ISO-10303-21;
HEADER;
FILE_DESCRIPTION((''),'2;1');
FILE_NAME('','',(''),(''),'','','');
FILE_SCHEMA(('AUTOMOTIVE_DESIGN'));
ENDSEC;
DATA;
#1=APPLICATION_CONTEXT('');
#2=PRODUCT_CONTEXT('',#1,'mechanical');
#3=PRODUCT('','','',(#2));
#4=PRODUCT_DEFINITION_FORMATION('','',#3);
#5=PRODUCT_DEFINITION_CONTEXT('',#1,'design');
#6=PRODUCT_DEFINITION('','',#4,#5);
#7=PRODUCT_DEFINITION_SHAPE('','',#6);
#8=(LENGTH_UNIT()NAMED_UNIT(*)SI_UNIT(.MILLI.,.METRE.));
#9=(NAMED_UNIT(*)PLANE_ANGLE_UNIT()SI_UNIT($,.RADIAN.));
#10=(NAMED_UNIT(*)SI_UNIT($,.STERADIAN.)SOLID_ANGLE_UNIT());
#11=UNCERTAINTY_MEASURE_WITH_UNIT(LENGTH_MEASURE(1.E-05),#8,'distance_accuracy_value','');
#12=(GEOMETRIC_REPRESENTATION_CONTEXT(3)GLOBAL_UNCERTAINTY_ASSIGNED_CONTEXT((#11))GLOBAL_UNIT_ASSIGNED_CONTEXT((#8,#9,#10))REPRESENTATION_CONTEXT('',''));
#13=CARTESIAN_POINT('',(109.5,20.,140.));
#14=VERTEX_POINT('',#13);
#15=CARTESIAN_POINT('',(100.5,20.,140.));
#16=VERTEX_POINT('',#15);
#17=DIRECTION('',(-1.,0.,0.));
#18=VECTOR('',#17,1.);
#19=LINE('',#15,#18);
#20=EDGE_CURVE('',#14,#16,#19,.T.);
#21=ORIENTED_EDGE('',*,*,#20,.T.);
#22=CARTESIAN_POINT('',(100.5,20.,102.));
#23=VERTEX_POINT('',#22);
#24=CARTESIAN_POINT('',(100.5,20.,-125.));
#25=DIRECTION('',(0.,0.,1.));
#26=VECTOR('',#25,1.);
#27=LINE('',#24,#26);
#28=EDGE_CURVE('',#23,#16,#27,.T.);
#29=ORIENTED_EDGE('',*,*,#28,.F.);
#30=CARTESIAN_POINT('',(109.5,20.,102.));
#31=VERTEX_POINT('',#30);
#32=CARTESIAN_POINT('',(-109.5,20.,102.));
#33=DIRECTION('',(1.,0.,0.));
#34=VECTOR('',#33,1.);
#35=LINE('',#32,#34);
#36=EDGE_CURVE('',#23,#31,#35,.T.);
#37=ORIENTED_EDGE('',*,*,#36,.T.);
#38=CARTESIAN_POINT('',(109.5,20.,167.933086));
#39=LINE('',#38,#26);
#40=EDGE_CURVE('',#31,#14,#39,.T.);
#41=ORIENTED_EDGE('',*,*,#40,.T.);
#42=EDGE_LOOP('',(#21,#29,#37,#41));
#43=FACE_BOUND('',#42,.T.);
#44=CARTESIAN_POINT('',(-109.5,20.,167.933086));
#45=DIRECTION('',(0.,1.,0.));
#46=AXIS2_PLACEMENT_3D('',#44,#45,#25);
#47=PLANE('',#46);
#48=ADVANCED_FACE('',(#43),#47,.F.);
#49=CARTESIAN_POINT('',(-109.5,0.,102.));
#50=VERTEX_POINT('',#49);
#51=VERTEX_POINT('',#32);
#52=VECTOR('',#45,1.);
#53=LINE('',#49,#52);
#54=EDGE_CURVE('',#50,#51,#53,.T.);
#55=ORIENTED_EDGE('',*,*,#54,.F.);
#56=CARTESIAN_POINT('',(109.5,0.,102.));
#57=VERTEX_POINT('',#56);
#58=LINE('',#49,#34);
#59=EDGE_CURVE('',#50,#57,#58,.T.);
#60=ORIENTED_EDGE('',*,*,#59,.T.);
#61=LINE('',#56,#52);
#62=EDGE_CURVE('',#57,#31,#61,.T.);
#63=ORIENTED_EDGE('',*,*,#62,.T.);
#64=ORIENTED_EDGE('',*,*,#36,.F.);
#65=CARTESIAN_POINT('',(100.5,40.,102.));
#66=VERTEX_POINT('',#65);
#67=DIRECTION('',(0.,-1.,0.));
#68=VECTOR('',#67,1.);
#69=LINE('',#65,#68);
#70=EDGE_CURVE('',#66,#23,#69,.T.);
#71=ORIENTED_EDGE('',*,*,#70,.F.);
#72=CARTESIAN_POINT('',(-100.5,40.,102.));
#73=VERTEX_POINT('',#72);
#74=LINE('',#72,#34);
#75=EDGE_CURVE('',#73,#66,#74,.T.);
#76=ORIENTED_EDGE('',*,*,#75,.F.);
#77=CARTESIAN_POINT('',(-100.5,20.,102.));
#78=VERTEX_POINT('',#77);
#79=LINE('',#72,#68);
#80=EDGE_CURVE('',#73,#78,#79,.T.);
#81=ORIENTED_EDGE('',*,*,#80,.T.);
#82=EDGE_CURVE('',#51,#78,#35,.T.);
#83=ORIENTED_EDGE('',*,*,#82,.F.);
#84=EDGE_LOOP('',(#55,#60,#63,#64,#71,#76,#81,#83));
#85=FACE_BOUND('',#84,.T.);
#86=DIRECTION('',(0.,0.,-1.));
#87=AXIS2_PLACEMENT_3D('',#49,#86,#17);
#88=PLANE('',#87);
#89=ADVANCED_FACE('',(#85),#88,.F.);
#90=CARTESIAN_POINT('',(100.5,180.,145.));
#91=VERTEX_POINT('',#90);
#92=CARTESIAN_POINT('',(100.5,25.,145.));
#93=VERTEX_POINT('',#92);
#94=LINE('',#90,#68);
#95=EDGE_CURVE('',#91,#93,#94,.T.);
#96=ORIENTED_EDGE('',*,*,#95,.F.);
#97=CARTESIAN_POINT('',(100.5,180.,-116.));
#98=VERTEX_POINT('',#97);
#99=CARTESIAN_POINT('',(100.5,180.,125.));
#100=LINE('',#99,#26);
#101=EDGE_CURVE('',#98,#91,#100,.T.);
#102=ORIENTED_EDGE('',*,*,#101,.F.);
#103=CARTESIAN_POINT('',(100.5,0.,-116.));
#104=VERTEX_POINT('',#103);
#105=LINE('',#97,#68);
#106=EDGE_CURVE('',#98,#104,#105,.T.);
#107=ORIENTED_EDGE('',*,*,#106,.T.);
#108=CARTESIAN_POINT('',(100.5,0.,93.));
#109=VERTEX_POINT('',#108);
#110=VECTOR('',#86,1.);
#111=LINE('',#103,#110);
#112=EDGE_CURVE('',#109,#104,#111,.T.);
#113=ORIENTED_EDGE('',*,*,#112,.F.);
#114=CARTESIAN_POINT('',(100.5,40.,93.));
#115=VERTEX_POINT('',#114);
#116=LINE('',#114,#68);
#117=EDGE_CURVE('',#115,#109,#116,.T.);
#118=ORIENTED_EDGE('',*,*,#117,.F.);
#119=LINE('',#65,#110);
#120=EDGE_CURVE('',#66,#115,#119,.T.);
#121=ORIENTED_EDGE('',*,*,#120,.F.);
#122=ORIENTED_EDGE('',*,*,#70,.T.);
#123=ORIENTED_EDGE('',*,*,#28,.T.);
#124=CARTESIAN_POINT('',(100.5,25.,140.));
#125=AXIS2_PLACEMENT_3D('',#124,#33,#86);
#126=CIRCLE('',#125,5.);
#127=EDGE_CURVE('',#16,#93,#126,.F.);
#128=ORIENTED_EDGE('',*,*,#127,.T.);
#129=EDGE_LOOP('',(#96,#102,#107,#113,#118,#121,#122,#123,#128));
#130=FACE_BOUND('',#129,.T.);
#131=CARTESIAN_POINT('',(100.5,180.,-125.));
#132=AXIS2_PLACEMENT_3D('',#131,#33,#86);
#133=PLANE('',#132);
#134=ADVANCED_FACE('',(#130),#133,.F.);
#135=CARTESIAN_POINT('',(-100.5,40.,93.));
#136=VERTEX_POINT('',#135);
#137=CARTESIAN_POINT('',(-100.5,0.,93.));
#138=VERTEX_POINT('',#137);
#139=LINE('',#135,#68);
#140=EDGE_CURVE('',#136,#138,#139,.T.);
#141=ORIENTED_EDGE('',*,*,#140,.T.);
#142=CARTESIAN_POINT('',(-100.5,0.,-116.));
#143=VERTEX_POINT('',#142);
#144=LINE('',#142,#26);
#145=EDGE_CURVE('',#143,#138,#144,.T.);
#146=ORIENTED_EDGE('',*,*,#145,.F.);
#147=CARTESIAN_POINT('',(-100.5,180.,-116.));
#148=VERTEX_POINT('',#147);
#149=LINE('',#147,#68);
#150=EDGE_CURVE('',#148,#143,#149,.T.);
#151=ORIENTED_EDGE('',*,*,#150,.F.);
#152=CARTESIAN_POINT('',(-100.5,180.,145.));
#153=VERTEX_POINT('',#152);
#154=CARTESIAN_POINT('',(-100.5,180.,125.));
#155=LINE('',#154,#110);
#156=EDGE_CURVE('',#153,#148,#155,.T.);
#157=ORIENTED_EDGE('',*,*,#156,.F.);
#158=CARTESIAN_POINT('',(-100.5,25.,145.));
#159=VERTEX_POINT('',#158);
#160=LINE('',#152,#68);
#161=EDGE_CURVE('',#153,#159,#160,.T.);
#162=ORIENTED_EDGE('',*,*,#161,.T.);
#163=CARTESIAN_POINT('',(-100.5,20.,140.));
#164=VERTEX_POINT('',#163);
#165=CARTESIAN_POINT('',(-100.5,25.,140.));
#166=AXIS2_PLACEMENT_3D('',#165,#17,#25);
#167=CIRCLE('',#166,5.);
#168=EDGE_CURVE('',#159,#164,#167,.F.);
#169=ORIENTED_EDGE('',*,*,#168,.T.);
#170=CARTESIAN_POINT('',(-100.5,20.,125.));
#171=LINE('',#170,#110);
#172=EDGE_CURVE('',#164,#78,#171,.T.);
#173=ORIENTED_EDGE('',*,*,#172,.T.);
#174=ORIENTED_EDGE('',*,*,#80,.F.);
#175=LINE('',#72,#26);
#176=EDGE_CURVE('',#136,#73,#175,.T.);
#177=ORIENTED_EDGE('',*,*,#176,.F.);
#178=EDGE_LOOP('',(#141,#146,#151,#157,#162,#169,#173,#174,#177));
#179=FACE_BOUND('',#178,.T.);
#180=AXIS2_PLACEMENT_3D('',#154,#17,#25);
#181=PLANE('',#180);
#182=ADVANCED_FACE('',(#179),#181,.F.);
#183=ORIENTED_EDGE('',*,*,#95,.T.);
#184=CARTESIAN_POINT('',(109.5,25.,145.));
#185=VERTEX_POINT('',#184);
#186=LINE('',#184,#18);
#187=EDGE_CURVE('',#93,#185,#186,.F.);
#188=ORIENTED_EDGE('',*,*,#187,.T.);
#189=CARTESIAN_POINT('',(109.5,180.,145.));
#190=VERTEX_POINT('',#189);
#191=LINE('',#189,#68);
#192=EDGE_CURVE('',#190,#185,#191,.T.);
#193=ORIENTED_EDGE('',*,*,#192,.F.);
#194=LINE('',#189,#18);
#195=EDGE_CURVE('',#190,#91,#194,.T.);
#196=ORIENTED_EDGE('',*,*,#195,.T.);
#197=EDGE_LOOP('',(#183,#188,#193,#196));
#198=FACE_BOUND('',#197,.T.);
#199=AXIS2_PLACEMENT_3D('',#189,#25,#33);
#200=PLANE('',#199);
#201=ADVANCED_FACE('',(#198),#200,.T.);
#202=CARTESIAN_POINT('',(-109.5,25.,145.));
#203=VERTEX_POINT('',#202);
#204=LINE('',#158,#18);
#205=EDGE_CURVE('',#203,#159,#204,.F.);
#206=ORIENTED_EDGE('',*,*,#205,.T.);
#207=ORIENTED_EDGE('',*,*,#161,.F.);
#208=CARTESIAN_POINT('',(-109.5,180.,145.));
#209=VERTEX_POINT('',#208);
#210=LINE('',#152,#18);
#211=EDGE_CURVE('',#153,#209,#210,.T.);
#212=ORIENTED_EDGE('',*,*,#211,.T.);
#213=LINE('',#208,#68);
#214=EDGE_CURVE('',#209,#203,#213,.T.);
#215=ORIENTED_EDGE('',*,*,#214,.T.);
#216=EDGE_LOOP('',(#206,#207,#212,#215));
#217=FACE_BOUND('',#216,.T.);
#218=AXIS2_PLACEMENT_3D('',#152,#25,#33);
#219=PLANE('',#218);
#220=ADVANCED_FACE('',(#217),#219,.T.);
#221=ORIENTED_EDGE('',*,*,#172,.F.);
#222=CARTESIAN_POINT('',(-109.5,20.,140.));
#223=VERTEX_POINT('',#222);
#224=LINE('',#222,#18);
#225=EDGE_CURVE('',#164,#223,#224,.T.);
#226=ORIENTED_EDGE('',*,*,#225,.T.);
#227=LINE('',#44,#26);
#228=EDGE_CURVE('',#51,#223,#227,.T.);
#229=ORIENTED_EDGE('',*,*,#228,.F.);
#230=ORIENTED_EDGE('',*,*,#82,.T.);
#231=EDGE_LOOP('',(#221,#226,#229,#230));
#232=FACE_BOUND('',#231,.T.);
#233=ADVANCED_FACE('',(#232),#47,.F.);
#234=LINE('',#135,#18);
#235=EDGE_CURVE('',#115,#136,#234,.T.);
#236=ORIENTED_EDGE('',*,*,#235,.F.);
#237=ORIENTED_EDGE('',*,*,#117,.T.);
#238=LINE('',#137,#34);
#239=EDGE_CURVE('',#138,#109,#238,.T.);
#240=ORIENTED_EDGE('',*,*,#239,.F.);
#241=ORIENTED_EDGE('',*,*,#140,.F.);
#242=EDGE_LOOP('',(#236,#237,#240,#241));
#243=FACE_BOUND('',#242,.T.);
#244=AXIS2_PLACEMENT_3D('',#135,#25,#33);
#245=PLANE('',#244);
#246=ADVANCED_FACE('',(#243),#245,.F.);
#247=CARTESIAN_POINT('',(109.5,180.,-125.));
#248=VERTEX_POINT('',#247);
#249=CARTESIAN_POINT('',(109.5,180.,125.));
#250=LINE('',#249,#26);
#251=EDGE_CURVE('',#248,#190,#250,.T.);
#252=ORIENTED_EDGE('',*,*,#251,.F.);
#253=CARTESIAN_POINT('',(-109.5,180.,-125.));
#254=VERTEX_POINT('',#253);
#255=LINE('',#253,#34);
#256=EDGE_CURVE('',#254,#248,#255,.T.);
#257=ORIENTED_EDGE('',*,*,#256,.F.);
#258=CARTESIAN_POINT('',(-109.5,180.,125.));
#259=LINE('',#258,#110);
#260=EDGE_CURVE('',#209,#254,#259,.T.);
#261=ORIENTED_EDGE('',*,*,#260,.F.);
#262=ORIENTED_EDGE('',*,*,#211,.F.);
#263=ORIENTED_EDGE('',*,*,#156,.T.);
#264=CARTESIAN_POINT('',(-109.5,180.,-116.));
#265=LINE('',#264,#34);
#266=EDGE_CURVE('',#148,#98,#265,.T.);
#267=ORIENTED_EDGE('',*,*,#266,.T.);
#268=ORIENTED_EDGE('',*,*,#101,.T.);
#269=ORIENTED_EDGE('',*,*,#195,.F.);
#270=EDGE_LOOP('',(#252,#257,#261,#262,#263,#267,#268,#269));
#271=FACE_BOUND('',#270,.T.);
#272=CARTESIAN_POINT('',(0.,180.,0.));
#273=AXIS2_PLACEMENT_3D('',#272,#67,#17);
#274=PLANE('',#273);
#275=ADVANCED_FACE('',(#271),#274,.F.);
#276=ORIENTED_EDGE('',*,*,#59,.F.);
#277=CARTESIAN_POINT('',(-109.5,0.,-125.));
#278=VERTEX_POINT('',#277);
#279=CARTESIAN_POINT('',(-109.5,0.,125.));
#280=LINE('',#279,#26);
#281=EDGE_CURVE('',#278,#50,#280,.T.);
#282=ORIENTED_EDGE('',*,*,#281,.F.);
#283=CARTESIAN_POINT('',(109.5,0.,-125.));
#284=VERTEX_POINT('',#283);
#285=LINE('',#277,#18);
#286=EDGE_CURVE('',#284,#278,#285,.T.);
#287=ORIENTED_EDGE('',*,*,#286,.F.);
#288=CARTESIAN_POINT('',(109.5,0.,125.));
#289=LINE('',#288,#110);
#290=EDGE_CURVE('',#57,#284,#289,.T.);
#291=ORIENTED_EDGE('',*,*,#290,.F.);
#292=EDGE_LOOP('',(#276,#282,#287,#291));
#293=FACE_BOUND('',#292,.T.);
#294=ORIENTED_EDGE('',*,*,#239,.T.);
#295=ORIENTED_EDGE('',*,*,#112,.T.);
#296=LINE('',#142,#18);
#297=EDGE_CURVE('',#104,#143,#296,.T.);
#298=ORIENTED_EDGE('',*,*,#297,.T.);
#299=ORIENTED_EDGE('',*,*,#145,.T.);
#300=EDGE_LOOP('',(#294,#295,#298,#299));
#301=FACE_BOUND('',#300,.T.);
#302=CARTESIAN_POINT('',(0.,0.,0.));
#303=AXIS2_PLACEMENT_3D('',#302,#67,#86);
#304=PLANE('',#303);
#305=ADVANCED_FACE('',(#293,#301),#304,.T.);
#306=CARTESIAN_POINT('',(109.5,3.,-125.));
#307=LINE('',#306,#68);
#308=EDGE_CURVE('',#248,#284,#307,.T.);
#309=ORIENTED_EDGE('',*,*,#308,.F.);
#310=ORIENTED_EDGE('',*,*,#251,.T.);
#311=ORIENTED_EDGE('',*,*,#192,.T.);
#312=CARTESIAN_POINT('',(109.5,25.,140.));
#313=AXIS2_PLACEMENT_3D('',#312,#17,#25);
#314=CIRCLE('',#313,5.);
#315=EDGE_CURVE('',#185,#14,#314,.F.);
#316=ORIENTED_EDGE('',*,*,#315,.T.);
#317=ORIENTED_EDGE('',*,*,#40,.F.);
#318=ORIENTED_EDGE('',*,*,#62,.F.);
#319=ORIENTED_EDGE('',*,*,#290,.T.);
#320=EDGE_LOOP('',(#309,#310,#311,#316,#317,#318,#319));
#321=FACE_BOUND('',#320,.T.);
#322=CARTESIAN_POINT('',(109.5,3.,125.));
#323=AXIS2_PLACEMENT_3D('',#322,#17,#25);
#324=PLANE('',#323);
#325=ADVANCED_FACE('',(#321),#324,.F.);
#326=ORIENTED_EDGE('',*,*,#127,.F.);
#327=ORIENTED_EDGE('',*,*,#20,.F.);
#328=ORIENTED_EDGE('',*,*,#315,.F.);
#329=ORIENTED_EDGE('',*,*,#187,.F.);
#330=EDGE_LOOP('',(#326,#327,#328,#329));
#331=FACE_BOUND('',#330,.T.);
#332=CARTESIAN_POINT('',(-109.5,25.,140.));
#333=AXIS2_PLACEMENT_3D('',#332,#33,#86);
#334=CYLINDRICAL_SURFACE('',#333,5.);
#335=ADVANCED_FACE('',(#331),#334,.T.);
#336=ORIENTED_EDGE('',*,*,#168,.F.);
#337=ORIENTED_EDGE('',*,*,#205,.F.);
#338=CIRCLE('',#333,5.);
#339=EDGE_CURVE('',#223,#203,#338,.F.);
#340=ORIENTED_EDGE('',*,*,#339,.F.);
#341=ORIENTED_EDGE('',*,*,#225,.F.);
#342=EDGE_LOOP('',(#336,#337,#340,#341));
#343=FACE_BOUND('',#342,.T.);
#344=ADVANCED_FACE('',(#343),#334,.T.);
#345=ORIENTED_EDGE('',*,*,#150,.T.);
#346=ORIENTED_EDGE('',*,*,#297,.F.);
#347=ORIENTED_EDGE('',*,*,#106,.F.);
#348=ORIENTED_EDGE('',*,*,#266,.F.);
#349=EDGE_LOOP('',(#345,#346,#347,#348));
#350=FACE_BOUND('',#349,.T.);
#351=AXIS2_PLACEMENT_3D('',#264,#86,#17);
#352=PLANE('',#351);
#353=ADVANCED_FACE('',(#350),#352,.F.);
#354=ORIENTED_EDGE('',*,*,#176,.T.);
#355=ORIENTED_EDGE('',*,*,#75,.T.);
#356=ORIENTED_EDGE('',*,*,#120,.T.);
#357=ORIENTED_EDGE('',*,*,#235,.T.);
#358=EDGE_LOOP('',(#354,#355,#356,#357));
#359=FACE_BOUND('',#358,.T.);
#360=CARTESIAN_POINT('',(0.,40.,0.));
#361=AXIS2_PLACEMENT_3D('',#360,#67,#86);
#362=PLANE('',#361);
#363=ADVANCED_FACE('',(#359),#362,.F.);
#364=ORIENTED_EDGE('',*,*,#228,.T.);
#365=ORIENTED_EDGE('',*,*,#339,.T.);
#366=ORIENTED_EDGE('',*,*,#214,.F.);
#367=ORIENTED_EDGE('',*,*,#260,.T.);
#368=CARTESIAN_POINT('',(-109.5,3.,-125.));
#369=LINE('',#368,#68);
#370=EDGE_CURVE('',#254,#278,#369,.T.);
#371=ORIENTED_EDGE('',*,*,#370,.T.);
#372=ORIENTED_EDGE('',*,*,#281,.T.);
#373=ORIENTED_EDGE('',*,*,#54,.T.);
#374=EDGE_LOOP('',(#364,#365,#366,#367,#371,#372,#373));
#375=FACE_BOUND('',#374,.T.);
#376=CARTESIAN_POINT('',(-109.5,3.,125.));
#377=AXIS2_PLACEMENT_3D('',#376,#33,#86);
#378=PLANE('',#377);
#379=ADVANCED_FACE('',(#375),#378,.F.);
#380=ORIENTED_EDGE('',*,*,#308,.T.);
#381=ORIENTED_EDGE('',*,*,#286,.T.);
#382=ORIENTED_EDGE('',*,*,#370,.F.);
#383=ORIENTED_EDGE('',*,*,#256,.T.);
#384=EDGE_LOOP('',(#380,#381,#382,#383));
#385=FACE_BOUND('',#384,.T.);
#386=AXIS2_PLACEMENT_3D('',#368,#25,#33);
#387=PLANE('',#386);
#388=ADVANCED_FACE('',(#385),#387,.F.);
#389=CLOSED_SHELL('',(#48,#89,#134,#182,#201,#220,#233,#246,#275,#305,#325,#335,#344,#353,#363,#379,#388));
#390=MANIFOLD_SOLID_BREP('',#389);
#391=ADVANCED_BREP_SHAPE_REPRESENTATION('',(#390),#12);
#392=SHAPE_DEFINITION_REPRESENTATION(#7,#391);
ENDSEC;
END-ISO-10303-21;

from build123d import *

# Parameters (mm, degrees)
SKETCH1_W               = 219
SKETCH1_H               = 250
BOSS_EXTRUDE1_DEPTH     = 3
EXTRUDE_THIN1_DEPTH     = 180
CUT_EXTRUDE2_DEPTH      = 256.764051422
CUT_EXTRUDE2_DEPTH_BACK = 256.764051422
SKETCH4_W               = 65.933085688
SKETCH4_H               = 20
SKETCH7_W               = 201
SKETCH7_H               = 9
BOSS_EXTRUDE3_DEPTH     = 40
FILLET7_R               = 5
SKETCH8_W               = 201
SKETCH8_H               = 209
CUT_EXTRUDE3_DEPTH      = 20


with BuildPart() as part:
    # Sketch1 → Boss-Extrude1 (new body)
    with BuildSketch(Plane(origin=(0, 0, 0), x_dir=(1, 0, 0), z_dir=(0, 1, 0))):
        Rectangle(SKETCH1_W, SKETCH1_H)
    extrude(amount=BOSS_EXTRUDE1_DEPTH)

    # Sketch2 → Extrude-Thin1 (add)
    with BuildSketch(Plane(origin=(0, 0, 0), x_dir=(1, 0, 0), z_dir=(0, 1, 0))):
        Polygon((-109.5, -145), (-109.5, -125), (-109.5, 125), (109.5, 125), (109.5, -125), (109.5, -145), (100.5, -145), (100.5, -125), (100.5, 116), (-100.5, 116), (-100.5, -125), (-100.5, -145), align=None)
    extrude(amount=EXTRUDE_THIN1_DEPTH)

    # Sketch4 → Cut-Extrude2 (cut, two sides: drawn at the far end of the back side and taken through both)
    with BuildSketch(Plane(origin=(0, 0, 0), x_dir=(0, 0, -1), z_dir=(1, 0, 0)).offset(-CUT_EXTRUDE2_DEPTH_BACK)):
        with Locations((-134.966542844, 10)):
            Rectangle(SKETCH4_W, SKETCH4_H)
    extrude(amount=CUT_EXTRUDE2_DEPTH + CUT_EXTRUDE2_DEPTH_BACK, mode=Mode.SUBTRACT)

    # Sketch7 → Boss-Extrude3 (add)
    with BuildSketch(Plane(origin=(0, 0, 0), x_dir=(1, 0, 0), z_dir=(0, 1, 0))):
        with Locations((0, -97.5)):
            Rectangle(SKETCH7_W, SKETCH7_H)
    extrude(amount=BOSS_EXTRUDE3_DEPTH)

    # Fillet7
    fillet7_edges = [part.edges().sort_by_distance(p)[0] for p in [
        (-105, 20, 145),
        (105, 20, 145),
    ]]
    fillet(fillet7_edges, radius=FILLET7_R)

    # Sketch8 → Cut-Extrude3 (cut)
    with BuildSketch(Plane(origin=(0, 0, 0), x_dir=(1, 0, 0), z_dir=(0, 1, 0))):
        with Locations((0, 11.5)):
            Rectangle(SKETCH8_W, SKETCH8_H)
    extrude(amount=CUT_EXTRUDE3_DEPTH, mode=Mode.SUBTRACT)


solid = part.part
